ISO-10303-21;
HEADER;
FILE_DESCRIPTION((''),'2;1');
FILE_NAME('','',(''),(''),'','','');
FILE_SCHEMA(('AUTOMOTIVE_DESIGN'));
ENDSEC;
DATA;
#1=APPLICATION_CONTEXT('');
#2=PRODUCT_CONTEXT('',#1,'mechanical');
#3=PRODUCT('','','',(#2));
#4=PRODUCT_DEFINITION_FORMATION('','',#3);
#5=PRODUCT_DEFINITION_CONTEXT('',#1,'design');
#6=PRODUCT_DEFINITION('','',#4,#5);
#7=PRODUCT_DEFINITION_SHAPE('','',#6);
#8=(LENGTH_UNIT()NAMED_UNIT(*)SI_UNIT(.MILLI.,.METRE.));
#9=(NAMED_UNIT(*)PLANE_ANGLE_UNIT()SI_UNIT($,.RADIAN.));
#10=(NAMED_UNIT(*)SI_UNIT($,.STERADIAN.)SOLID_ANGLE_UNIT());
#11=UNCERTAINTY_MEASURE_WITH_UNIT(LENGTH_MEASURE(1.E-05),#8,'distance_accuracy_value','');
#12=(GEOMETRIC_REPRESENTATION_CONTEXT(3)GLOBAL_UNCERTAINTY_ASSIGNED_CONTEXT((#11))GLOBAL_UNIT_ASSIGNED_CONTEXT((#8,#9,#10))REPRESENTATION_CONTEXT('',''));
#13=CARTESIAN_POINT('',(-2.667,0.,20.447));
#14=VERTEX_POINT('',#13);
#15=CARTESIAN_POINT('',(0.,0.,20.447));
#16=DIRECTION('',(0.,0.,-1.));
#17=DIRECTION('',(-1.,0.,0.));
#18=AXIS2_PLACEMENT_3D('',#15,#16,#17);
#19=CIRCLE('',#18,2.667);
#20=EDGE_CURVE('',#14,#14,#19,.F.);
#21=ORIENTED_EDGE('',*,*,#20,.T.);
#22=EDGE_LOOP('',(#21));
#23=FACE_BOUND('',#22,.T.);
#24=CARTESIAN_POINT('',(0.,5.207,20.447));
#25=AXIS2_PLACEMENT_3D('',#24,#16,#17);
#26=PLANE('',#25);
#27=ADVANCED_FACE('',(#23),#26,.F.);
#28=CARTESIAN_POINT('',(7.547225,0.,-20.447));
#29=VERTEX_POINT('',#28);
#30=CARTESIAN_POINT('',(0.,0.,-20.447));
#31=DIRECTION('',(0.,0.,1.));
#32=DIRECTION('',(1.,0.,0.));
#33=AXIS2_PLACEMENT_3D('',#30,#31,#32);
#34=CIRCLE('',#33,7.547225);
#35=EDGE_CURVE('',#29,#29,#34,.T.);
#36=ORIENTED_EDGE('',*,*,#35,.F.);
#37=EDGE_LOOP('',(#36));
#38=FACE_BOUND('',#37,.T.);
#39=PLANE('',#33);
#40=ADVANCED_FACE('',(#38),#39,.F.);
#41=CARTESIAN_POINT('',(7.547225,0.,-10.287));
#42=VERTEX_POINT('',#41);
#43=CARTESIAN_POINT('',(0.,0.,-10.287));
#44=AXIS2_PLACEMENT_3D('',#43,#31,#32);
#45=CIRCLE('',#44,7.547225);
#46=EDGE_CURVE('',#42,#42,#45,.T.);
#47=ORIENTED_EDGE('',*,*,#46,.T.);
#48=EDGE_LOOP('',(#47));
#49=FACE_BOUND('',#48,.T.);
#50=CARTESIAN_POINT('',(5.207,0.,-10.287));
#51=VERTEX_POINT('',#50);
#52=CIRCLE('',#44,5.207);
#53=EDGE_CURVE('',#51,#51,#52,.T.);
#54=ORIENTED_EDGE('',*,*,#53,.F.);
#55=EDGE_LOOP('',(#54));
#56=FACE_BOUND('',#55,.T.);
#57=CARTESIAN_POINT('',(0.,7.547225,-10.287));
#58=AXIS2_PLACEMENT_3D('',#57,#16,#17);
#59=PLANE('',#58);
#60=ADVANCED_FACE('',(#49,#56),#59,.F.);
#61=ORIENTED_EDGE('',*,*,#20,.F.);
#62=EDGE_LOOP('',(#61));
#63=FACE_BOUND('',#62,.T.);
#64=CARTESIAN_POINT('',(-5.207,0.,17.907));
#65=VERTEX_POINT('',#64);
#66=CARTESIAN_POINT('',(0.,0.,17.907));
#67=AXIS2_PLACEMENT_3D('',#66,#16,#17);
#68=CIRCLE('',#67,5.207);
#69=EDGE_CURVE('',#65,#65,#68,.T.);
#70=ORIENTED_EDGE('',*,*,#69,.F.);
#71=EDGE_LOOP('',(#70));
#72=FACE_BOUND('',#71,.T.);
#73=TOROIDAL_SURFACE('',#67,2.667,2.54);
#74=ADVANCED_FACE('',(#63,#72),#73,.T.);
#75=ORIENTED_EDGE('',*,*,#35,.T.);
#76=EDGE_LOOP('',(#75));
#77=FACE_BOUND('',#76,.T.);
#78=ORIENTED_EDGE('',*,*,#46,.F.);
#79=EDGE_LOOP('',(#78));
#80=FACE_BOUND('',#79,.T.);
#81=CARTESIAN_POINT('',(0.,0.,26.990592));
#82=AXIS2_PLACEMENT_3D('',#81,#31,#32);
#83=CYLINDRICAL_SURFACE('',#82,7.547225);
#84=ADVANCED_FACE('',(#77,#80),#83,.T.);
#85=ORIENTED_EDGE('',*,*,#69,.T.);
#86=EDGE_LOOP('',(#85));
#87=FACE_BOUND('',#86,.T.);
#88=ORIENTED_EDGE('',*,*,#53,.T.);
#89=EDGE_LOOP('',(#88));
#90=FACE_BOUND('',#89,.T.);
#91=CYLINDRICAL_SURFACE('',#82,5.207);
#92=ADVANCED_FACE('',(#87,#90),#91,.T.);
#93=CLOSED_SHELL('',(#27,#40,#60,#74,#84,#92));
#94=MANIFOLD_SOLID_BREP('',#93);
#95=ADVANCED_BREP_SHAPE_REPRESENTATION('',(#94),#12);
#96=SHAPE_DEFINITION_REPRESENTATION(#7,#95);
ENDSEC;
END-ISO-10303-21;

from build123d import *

# Parameters (mm, degrees)
FILLET1_R = 2.54


with BuildPart() as part:
    # Sketch1 → Revolve1 (revolve)
    with BuildSketch(Plane(origin=(0, 0, 0), x_dir=(0, 0, -1), z_dir=(1, 0, 0)), mode=Mode.PRIVATE) as revolve1_sk:
        Polygon((20.447, 0), (20.447, 7.547224719), (10.287, 7.547224719), (10.287, 5.207), (-20.447, 5.207), (-20.447, 0), align=None)
    revolve(revolve1_sk.sketch.rotate(Axis((0, 0, 26.99059176), (0, 0, -1)), 90), axis=Axis((0, 0, 26.99059176), (0, 0, -1)))

    # Fillet1
    fillet1_edges = [part.edges().sort_by_distance(p)[0] for p in [
        (-5.207, 0, 20.447),
    ]]
    fillet(fillet1_edges, radius=FILLET1_R)


solid = part.part
